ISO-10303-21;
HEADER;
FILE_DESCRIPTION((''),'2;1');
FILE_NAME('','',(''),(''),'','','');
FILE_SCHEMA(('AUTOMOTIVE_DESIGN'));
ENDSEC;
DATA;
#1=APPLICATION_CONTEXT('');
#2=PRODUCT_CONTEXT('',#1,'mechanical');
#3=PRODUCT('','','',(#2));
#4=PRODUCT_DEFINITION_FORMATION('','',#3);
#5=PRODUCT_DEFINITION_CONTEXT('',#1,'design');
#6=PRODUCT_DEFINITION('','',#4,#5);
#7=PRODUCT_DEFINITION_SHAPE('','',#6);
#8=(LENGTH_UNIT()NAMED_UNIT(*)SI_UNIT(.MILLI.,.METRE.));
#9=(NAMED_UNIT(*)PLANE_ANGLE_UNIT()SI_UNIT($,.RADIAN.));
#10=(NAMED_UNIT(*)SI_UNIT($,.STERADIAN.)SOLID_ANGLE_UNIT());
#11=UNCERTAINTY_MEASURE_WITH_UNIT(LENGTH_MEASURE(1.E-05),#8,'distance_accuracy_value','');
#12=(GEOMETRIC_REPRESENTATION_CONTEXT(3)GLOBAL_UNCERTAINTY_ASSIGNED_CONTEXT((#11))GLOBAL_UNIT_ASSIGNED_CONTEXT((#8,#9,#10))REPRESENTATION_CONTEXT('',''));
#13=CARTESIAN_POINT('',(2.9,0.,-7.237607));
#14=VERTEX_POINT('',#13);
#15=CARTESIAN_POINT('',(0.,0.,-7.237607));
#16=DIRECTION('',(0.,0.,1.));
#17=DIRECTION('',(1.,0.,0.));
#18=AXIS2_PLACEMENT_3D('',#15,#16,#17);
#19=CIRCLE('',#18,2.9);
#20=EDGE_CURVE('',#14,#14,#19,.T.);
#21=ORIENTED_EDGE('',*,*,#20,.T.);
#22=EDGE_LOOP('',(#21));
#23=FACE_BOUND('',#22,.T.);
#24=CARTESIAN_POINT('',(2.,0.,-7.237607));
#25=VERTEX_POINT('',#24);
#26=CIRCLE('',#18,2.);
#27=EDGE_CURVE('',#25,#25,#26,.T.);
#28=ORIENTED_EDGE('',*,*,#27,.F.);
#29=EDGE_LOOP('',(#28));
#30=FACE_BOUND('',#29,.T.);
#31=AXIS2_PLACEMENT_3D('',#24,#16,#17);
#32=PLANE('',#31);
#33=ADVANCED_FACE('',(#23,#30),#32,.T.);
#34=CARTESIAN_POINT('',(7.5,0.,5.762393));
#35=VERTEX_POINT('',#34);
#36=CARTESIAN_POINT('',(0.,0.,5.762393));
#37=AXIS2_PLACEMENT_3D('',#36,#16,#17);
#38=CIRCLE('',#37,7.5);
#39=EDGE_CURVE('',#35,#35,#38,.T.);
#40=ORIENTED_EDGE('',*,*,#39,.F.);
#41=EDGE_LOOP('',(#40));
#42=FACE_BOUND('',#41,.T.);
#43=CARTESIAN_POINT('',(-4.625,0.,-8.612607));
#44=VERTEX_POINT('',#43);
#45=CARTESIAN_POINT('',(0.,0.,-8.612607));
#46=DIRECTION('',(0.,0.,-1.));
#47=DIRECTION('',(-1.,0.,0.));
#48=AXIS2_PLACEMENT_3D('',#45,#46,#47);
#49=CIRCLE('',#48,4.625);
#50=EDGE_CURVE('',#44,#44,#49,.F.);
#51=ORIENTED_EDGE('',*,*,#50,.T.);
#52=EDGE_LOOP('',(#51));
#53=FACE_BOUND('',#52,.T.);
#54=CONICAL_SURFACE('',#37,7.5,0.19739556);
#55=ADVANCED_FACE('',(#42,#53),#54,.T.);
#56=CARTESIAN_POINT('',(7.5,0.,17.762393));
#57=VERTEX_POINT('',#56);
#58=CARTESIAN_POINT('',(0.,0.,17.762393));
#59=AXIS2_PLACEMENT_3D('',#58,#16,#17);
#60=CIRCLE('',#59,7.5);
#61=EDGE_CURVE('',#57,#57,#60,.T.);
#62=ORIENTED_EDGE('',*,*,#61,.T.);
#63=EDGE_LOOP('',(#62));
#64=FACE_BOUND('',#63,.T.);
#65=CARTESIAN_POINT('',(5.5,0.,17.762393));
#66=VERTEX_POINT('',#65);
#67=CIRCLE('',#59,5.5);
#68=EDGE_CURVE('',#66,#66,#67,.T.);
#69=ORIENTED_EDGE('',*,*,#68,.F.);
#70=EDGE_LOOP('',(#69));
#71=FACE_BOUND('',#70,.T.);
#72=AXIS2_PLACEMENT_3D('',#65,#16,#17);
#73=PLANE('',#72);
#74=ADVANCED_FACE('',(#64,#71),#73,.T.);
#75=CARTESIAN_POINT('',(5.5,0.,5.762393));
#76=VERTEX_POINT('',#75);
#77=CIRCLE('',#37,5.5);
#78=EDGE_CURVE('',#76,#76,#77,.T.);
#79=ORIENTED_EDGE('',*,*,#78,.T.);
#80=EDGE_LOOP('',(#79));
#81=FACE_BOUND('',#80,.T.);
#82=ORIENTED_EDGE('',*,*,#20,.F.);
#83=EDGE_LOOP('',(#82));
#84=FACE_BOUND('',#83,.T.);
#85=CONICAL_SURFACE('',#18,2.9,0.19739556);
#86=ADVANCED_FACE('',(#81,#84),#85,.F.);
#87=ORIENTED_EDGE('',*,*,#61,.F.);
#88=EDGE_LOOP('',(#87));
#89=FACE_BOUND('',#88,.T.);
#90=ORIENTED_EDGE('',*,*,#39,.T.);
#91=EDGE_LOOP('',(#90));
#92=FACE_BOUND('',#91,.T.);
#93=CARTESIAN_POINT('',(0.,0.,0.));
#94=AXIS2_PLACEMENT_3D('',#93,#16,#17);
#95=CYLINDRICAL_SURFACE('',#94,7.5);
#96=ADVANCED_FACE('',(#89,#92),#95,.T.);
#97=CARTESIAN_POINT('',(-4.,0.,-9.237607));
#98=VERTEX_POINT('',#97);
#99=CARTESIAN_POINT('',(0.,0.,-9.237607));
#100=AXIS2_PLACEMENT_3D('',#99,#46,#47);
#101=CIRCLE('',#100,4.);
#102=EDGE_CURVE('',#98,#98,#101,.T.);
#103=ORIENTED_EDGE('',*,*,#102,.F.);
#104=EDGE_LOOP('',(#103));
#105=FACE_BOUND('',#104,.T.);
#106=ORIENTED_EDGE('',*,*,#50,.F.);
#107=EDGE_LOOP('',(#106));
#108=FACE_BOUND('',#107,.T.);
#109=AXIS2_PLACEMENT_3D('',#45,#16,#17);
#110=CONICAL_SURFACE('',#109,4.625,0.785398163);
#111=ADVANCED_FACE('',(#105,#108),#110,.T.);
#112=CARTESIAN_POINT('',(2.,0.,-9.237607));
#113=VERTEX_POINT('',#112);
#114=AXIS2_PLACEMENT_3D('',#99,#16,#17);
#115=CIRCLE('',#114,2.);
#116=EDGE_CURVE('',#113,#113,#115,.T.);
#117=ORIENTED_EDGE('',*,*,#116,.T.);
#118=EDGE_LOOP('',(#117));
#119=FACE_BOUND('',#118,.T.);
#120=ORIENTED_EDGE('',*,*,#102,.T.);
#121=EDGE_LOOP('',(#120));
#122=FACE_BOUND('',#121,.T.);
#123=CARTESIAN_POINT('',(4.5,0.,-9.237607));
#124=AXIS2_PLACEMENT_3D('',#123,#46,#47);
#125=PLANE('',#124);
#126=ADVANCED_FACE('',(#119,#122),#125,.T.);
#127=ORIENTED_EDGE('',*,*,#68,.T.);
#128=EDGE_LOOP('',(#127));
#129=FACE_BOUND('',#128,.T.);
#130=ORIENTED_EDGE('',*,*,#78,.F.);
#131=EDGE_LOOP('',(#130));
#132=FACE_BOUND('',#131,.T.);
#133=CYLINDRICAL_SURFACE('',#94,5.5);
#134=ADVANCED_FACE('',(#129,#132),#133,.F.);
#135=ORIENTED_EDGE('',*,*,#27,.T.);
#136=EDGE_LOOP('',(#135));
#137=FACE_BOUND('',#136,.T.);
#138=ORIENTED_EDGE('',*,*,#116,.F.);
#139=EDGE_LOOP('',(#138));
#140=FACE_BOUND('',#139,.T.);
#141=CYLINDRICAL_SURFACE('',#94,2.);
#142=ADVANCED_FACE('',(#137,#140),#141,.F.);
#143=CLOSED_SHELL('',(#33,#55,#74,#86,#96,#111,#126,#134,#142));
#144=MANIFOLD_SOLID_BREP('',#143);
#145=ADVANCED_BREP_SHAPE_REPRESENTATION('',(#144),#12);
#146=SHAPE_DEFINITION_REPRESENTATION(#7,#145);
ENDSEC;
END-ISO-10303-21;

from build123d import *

# Parameters (mm, degrees)
CHAMFER1_SIZE  = 0.5
CHAMFER1_SIZE2 = 0.637377439


with BuildPart() as part:
    # Sketch1 → Revolve1 (revolve)
    with BuildSketch(Plane(origin=(0, 0, 0), x_dir=(1, 0, 0), z_dir=(0, 1, 0))):
        Polygon((2, 9.237606838), (2, 7.237606838), (2.9, 7.237606838), (5.5, -5.762393162), (5.5, -17.762393162), (7.5, -17.762393162), (7.5, -5.762393162), (4.5, 9.237606838), align=None)
    revolve(axis=Axis((0, 0, 0), (0, 0, -1)))

    # Chamfer1
    chamfer1_edges = [part.edges().sort_by_distance(p)[0] for p in [
        (-4.5, 0, -9.237606838),
    ]]
    chamfer1_side = [part.faces().sort_by_distance(p)[0] for p in [
        (-4.372720779, 0, -9.237606838),
    ]]
    chamfer(chamfer1_edges, length=CHAMFER1_SIZE, length2=CHAMFER1_SIZE2, reference=chamfer1_side[0])


solid = part.part
